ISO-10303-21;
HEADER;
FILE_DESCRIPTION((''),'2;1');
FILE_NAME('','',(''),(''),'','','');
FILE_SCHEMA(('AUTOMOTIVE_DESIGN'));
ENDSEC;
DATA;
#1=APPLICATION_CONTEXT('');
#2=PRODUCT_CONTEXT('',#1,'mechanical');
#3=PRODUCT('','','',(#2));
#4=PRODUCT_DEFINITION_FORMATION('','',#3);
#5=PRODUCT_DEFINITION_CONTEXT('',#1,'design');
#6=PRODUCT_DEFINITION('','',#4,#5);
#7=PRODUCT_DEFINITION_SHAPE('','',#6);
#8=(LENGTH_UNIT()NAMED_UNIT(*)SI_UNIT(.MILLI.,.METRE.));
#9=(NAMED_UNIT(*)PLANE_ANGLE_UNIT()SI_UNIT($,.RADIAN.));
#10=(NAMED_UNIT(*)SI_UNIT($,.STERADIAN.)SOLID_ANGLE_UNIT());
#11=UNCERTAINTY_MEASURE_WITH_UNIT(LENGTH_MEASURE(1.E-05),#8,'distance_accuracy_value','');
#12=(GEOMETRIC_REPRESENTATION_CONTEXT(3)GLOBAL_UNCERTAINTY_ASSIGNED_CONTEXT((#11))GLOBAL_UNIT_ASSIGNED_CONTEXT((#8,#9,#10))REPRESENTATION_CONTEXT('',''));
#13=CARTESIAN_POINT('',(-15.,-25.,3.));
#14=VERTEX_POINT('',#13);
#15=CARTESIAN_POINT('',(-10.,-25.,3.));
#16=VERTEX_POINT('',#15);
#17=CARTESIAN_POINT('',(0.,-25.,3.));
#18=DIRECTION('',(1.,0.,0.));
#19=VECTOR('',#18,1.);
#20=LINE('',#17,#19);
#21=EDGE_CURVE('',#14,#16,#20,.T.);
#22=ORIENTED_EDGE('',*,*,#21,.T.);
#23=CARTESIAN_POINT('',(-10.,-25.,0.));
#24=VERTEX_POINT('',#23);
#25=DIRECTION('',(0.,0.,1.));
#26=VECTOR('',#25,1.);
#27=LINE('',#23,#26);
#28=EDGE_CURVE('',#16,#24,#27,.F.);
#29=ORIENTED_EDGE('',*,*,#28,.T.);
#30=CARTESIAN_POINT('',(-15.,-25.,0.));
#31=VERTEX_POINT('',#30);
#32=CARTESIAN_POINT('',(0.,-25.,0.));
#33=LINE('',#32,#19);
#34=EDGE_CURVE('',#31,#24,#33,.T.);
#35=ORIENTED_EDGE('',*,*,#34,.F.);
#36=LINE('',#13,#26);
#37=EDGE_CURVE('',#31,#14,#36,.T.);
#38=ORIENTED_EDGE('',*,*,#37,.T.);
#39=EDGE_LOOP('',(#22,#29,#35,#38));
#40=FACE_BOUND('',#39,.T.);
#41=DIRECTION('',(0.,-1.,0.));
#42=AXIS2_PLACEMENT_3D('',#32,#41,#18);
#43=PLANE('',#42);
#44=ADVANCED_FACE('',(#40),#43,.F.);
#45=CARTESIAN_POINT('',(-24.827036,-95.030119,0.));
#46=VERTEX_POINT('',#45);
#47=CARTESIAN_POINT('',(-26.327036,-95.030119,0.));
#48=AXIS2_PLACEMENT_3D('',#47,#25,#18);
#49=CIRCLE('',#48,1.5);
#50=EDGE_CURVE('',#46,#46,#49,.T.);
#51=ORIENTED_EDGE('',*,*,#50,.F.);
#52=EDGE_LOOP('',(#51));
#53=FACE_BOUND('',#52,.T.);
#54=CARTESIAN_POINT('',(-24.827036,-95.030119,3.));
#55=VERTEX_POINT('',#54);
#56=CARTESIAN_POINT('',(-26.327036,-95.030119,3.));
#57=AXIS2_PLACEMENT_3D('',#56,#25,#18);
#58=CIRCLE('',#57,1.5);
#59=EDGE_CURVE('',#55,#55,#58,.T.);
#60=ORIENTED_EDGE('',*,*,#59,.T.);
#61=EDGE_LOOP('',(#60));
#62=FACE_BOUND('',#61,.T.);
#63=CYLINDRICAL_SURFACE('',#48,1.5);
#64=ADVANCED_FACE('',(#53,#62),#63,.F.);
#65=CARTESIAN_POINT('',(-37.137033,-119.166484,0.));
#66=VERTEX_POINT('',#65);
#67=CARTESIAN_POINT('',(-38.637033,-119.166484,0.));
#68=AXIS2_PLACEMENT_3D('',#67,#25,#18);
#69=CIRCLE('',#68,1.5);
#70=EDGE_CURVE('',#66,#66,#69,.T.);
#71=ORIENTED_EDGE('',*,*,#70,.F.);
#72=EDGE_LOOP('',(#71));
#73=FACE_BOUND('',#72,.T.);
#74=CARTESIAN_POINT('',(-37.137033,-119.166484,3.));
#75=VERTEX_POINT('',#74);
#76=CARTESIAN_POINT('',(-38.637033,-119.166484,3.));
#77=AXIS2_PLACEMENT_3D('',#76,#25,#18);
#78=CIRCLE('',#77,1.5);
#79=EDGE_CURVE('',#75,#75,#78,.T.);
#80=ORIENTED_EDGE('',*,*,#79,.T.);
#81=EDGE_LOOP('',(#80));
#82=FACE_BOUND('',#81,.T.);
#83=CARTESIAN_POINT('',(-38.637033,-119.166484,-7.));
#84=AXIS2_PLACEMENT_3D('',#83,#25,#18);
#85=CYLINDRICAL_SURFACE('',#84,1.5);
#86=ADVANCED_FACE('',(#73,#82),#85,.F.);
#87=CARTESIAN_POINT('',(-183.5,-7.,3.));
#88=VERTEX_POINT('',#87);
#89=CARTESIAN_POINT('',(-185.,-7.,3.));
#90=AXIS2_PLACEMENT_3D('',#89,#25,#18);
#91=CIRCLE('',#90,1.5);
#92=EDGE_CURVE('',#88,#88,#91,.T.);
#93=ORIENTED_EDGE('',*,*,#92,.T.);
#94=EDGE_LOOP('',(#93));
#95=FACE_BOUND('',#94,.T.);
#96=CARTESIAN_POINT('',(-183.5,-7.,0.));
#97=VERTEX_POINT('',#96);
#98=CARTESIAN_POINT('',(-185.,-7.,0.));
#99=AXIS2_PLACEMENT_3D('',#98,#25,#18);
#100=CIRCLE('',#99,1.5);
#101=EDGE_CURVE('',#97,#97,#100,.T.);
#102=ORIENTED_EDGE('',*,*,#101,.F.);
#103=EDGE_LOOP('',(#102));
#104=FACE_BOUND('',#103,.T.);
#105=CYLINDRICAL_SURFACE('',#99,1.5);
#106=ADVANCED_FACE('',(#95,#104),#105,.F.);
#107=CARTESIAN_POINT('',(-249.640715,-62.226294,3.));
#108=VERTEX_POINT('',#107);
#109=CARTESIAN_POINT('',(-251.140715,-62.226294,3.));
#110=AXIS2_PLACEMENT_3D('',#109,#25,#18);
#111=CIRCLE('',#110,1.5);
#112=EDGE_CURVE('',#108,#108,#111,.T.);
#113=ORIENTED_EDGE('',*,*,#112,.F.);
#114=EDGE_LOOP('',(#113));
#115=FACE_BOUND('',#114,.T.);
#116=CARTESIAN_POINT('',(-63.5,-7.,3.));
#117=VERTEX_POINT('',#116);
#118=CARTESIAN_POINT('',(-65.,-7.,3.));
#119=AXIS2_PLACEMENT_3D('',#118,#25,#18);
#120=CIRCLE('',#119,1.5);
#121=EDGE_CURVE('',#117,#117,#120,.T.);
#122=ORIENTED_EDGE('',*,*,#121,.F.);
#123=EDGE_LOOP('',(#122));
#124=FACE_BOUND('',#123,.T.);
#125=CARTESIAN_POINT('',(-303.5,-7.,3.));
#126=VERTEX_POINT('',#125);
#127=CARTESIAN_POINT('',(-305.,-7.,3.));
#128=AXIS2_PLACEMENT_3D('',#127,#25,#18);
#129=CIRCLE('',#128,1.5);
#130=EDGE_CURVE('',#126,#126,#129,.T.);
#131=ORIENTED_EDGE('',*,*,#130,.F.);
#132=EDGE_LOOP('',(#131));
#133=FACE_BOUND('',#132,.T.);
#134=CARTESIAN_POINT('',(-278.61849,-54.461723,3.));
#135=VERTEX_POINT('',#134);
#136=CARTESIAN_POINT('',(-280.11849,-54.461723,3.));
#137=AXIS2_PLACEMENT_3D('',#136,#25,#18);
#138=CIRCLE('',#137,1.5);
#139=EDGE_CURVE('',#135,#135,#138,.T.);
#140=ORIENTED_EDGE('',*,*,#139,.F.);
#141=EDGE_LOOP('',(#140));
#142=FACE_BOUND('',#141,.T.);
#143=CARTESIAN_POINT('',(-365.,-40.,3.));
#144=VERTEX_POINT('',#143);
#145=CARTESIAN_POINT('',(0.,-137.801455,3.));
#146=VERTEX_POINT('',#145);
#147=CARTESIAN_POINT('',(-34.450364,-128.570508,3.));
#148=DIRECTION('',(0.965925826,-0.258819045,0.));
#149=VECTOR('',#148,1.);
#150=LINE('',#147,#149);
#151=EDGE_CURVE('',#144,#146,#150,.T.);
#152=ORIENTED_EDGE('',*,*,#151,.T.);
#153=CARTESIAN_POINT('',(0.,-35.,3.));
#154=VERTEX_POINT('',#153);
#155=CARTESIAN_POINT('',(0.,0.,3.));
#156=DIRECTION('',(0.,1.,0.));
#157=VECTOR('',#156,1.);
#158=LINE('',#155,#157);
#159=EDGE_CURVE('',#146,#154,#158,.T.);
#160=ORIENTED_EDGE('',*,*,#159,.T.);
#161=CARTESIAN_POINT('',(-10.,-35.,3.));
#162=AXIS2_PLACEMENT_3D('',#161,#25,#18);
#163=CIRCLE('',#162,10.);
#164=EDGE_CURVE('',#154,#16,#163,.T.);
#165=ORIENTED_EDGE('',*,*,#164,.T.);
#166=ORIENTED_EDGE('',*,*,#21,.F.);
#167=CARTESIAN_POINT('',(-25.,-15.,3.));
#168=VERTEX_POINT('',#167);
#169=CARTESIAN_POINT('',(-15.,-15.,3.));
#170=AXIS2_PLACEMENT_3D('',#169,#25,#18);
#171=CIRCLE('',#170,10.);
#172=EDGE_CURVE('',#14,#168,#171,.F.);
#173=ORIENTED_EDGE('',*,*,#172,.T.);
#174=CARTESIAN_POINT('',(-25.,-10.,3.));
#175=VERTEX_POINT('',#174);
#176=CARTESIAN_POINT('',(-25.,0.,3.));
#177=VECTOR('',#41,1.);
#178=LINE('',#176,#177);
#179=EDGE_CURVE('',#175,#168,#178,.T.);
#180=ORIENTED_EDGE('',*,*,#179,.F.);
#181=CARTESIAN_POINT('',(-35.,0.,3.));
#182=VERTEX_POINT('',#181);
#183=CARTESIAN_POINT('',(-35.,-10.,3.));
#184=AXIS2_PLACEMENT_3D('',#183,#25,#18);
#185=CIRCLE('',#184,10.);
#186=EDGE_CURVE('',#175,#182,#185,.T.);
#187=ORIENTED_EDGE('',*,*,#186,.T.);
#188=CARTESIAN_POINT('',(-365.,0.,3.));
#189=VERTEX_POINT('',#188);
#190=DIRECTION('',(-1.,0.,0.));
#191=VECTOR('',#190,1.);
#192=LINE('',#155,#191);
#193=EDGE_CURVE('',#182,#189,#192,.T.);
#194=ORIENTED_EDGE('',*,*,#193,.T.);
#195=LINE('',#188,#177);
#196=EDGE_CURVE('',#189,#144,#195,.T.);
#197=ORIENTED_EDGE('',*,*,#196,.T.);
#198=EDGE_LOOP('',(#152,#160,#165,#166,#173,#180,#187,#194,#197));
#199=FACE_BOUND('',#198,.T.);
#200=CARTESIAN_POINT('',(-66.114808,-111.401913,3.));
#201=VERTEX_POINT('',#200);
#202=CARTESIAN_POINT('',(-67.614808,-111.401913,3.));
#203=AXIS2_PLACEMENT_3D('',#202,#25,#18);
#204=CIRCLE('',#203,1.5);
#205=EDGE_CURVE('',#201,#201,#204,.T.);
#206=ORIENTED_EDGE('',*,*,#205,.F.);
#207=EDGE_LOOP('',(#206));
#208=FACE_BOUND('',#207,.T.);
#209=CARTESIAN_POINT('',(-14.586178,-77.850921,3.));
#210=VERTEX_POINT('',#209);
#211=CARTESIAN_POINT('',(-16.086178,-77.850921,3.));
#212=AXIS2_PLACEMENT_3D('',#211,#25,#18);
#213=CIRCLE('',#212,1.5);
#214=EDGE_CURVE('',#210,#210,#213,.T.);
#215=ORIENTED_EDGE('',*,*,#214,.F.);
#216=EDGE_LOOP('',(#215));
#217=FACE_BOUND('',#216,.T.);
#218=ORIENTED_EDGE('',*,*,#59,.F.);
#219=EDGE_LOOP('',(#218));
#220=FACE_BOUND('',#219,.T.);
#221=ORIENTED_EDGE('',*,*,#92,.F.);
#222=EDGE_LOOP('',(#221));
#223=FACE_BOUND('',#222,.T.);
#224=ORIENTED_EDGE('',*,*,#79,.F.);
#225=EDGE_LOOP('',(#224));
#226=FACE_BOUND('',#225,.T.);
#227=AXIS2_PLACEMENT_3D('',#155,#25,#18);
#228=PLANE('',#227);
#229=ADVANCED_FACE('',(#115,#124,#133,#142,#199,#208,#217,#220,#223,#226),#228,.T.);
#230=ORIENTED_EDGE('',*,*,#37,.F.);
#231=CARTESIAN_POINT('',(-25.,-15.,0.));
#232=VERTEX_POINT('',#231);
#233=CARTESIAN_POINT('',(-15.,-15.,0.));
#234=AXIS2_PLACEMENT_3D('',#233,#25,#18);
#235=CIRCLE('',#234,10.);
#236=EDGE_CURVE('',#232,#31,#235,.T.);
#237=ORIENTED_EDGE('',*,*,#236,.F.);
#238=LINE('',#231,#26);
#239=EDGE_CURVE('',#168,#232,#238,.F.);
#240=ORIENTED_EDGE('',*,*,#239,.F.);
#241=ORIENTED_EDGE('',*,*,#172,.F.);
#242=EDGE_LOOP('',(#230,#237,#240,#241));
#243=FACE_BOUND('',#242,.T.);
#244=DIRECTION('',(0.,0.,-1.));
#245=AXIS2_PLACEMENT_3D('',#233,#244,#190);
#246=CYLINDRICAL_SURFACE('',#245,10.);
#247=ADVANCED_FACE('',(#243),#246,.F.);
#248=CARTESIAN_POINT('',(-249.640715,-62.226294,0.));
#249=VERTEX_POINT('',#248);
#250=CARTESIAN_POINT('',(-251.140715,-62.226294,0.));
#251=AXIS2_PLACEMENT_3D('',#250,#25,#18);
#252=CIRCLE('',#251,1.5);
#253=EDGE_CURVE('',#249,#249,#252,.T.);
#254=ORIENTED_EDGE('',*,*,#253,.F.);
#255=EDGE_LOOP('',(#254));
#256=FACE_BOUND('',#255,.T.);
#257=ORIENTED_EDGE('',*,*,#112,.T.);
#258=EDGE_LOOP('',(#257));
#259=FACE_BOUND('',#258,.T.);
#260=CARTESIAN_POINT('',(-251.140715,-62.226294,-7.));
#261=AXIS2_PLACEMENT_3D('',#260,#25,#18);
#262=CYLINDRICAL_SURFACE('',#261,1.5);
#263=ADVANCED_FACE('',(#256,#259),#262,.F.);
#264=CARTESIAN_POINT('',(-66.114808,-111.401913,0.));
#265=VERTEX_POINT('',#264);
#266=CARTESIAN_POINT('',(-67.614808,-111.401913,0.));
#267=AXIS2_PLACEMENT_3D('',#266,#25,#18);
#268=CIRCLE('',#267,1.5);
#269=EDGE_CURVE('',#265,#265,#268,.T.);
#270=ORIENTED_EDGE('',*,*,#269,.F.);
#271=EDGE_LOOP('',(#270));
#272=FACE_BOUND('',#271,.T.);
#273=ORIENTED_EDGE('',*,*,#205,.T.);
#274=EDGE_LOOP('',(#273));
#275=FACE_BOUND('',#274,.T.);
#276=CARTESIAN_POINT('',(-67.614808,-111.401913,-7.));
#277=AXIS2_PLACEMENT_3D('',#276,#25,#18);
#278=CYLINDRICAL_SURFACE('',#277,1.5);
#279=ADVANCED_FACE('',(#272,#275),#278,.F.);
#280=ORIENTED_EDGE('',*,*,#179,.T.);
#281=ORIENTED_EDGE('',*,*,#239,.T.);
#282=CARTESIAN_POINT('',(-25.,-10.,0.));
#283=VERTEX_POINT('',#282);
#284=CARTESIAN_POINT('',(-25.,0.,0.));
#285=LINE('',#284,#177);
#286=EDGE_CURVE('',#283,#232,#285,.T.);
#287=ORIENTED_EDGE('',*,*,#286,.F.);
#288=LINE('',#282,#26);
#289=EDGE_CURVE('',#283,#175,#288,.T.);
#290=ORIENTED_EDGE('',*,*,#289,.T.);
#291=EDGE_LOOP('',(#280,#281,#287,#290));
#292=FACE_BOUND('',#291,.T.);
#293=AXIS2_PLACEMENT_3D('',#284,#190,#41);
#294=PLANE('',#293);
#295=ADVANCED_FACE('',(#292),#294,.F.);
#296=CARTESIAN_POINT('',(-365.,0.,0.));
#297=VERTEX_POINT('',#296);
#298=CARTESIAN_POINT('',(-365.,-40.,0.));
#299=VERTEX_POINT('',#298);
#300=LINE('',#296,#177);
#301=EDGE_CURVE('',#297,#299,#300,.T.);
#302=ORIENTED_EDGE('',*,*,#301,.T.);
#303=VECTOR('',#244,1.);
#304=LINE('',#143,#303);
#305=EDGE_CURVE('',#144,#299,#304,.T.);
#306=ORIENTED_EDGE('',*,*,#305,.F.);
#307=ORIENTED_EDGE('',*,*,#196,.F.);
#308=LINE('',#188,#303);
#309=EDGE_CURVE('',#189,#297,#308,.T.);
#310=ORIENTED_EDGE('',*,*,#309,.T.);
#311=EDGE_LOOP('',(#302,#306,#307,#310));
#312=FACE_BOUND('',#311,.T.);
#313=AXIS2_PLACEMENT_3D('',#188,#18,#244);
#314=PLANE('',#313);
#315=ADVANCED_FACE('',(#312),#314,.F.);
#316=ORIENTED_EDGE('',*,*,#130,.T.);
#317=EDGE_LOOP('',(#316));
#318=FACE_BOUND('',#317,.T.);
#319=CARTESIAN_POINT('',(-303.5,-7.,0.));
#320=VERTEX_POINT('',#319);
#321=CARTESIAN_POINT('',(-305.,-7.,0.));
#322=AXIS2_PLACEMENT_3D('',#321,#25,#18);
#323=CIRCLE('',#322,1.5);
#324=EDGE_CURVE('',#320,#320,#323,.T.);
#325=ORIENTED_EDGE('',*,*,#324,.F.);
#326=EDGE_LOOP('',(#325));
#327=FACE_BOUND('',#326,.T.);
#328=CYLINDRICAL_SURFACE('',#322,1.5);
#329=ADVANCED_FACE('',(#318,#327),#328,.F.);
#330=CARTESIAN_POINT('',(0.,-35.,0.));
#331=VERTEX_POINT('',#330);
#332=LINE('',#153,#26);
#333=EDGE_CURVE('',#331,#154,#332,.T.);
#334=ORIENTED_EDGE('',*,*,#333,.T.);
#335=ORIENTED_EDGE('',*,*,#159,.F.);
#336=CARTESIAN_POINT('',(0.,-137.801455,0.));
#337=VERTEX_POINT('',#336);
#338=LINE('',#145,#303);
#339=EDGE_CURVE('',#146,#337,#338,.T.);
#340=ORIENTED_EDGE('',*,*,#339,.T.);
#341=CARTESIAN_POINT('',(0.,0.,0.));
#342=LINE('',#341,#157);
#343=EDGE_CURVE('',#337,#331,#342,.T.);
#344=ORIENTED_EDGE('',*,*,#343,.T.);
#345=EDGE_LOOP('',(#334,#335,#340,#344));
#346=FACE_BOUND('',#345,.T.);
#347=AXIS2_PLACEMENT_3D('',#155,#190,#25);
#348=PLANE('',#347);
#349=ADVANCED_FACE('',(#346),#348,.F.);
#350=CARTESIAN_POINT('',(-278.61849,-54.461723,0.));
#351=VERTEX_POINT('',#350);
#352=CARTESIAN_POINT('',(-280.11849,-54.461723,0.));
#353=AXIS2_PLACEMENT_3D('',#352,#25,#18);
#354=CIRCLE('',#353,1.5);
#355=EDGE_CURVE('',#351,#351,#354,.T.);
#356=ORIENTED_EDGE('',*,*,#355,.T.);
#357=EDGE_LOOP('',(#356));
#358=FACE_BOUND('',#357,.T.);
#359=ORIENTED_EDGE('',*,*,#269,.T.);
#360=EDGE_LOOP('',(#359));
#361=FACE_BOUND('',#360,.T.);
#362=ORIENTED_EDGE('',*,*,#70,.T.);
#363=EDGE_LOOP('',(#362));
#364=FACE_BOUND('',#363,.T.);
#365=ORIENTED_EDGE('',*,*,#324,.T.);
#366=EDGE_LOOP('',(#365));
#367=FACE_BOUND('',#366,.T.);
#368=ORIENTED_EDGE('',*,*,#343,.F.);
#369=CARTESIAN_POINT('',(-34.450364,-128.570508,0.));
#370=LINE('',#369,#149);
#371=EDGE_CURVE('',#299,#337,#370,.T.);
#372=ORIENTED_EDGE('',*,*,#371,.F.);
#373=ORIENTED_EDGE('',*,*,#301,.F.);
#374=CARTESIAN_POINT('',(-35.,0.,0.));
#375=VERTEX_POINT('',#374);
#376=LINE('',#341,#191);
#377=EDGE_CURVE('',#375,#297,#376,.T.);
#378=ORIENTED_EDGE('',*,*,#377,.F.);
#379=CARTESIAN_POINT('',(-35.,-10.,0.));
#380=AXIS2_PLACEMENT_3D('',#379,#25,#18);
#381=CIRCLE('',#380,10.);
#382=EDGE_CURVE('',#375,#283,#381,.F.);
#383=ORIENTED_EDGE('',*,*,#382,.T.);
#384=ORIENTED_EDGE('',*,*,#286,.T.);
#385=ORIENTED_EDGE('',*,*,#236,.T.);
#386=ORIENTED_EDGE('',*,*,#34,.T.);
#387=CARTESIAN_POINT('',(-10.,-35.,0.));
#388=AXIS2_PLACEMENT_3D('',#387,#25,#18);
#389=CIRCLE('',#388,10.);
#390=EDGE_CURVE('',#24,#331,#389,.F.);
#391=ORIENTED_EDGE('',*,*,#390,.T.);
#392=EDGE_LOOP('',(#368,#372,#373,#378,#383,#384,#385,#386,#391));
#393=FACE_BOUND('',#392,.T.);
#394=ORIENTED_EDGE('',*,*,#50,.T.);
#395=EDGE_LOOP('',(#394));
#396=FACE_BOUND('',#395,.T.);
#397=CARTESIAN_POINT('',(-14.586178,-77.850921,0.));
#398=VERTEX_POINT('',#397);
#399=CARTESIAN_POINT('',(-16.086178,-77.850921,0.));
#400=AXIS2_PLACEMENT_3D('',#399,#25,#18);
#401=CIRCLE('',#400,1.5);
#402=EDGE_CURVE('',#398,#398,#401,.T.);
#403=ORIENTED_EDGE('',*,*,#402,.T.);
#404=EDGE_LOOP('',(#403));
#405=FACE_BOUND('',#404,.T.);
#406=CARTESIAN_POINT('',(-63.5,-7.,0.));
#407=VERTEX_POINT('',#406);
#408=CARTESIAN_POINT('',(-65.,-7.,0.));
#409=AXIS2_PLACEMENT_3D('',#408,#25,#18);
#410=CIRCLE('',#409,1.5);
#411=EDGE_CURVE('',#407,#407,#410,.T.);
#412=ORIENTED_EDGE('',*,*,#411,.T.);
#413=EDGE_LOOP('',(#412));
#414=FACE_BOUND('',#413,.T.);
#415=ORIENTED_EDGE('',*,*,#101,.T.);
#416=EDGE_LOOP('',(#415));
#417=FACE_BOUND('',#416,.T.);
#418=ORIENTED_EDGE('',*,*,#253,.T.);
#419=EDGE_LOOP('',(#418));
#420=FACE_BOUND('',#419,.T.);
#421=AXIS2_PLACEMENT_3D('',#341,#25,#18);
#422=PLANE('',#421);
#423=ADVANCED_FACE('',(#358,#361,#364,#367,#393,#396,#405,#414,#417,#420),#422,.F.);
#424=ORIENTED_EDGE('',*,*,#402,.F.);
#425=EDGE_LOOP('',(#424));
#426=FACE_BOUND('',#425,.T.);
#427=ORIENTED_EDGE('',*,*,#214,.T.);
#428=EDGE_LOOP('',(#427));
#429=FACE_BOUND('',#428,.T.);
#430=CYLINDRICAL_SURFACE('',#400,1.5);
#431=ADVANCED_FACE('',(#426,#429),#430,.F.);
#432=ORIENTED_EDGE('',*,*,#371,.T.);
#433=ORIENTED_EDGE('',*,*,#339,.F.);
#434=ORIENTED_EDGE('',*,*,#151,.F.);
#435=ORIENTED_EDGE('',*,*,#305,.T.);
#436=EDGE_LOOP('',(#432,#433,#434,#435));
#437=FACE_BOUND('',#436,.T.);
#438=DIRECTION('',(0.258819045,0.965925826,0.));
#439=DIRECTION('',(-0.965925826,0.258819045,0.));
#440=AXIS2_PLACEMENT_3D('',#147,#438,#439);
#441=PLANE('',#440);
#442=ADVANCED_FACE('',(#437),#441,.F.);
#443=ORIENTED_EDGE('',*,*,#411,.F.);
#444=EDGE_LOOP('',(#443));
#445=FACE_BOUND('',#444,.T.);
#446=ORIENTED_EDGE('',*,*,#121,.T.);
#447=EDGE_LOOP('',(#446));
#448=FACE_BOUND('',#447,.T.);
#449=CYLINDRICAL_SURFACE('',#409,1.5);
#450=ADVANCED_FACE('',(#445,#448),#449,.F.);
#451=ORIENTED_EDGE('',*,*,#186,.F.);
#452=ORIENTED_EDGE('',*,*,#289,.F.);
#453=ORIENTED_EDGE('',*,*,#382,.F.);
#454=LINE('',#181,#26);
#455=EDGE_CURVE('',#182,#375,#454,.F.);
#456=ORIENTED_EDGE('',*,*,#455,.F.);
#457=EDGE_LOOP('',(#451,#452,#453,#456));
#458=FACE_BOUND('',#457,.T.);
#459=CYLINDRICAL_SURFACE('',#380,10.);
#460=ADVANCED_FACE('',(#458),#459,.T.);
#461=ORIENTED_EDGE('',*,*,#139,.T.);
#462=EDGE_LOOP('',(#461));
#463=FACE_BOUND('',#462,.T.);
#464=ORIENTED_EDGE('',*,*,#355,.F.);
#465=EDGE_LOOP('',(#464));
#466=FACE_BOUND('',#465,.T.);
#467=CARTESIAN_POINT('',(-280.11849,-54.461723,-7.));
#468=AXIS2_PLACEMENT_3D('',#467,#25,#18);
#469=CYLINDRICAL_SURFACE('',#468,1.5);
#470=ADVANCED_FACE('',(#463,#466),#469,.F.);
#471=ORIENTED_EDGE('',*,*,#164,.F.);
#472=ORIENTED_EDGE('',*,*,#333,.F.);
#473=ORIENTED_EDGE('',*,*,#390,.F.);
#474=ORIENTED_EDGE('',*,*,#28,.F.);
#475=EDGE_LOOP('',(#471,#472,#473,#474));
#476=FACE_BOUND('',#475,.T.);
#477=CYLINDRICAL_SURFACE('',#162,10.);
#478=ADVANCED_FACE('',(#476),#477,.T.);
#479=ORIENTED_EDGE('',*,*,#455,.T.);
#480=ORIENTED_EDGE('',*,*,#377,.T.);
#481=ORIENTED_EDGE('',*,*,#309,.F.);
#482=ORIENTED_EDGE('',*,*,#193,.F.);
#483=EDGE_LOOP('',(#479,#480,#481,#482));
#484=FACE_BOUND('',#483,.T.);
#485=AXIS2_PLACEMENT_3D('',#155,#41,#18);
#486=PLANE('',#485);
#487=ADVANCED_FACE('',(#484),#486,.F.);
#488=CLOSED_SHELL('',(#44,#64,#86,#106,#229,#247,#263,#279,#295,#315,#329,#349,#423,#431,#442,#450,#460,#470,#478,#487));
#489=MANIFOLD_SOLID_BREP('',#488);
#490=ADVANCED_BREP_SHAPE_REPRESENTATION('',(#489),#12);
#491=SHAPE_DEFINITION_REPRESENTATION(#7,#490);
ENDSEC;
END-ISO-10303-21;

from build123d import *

# Parameters (mm, degrees)
EXTRUDE_1_DEPTH     = 3
SKETCH_3_W          = 25
SKETCH_3_H          = 25
CUT_EXTRUDE_1_DEPTH = 391.157969373
SKETCH_5_R          = 1.5
CUT_EXTRUDE_3_DEPTH = 391.157969373
FILLET_2_R          = 10
SKETCH_6_R          = 1.5
CUT_EXTRUDE_6_DEPTH = 10
SKETCH_7_R          = 1.5
CUT_EXTRUDE_7_DEPTH = 391.157969373


with BuildPart() as part:
    # 草图1 → 凸台-拉伸1 (new body)
    with BuildSketch(Plane.XY):
        Polygon((0, -137.801455237), (0, 0), (-365, 0), (-365, -40), align=None)
    extrude(amount=EXTRUDE_1_DEPTH)

    # 草图3 → 切除-拉伸1 (cut, through all)
    with BuildSketch(Plane.XY.offset(3)):
        with Locations((-12.5, -12.5)):
            Rectangle(SKETCH_3_W, SKETCH_3_H)
    extrude(amount=-CUT_EXTRUDE_1_DEPTH, mode=Mode.SUBTRACT)

    # 草图5 → 切除-拉伸3 (cut, through all)
    with BuildSketch(Plane.XY.offset(3)):
        with Locations((-305, -7)):
            Circle(SKETCH_5_R)
        with Locations((-185, -7)):
            Circle(SKETCH_5_R)
        with Locations((-65, -7)):
            Circle(SKETCH_5_R)
    extrude(amount=-CUT_EXTRUDE_3_DEPTH, mode=Mode.SUBTRACT)

    # 圆角2
    fillet_2_edges = [part.edges().sort_by_distance(p)[0] for p in [
        (0, -25, 1.5),
        (-25, -25, 1.5),
        (-25, 0, 1.5),
    ]]
    fillet(fillet_2_edges, radius=FILLET_2_R)

    # 草图6 → 切除-拉伸6 (cut)
    with BuildSketch(Plane.XY.offset(3)):
        with Locations((-38.637033052, -119.16648399)):
            Circle(SKETCH_6_R)
        with Locations((-67.61480784, -111.401912637)):
            Circle(SKETCH_6_R)
        with Locations((-251.140714835, -62.226294067)):
            Circle(SKETCH_6_R)
        with Locations((-280.118489624, -54.461722714)):
            Circle(SKETCH_6_R)
    extrude(amount=-CUT_EXTRUDE_6_DEPTH, mode=Mode.SUBTRACT)

    # 草图7 → 切除-拉伸7 (cut, through all)
    with BuildSketch(Plane.XY.offset(3)):
        with Locations((-26.327035604, -95.030119084)):
            Circle(SKETCH_7_R)
        with Locations((-16.086178306, -77.850921146)):
            Circle(SKETCH_7_R)
    extrude(amount=-CUT_EXTRUDE_7_DEPTH, mode=Mode.SUBTRACT)


solid = part.part
